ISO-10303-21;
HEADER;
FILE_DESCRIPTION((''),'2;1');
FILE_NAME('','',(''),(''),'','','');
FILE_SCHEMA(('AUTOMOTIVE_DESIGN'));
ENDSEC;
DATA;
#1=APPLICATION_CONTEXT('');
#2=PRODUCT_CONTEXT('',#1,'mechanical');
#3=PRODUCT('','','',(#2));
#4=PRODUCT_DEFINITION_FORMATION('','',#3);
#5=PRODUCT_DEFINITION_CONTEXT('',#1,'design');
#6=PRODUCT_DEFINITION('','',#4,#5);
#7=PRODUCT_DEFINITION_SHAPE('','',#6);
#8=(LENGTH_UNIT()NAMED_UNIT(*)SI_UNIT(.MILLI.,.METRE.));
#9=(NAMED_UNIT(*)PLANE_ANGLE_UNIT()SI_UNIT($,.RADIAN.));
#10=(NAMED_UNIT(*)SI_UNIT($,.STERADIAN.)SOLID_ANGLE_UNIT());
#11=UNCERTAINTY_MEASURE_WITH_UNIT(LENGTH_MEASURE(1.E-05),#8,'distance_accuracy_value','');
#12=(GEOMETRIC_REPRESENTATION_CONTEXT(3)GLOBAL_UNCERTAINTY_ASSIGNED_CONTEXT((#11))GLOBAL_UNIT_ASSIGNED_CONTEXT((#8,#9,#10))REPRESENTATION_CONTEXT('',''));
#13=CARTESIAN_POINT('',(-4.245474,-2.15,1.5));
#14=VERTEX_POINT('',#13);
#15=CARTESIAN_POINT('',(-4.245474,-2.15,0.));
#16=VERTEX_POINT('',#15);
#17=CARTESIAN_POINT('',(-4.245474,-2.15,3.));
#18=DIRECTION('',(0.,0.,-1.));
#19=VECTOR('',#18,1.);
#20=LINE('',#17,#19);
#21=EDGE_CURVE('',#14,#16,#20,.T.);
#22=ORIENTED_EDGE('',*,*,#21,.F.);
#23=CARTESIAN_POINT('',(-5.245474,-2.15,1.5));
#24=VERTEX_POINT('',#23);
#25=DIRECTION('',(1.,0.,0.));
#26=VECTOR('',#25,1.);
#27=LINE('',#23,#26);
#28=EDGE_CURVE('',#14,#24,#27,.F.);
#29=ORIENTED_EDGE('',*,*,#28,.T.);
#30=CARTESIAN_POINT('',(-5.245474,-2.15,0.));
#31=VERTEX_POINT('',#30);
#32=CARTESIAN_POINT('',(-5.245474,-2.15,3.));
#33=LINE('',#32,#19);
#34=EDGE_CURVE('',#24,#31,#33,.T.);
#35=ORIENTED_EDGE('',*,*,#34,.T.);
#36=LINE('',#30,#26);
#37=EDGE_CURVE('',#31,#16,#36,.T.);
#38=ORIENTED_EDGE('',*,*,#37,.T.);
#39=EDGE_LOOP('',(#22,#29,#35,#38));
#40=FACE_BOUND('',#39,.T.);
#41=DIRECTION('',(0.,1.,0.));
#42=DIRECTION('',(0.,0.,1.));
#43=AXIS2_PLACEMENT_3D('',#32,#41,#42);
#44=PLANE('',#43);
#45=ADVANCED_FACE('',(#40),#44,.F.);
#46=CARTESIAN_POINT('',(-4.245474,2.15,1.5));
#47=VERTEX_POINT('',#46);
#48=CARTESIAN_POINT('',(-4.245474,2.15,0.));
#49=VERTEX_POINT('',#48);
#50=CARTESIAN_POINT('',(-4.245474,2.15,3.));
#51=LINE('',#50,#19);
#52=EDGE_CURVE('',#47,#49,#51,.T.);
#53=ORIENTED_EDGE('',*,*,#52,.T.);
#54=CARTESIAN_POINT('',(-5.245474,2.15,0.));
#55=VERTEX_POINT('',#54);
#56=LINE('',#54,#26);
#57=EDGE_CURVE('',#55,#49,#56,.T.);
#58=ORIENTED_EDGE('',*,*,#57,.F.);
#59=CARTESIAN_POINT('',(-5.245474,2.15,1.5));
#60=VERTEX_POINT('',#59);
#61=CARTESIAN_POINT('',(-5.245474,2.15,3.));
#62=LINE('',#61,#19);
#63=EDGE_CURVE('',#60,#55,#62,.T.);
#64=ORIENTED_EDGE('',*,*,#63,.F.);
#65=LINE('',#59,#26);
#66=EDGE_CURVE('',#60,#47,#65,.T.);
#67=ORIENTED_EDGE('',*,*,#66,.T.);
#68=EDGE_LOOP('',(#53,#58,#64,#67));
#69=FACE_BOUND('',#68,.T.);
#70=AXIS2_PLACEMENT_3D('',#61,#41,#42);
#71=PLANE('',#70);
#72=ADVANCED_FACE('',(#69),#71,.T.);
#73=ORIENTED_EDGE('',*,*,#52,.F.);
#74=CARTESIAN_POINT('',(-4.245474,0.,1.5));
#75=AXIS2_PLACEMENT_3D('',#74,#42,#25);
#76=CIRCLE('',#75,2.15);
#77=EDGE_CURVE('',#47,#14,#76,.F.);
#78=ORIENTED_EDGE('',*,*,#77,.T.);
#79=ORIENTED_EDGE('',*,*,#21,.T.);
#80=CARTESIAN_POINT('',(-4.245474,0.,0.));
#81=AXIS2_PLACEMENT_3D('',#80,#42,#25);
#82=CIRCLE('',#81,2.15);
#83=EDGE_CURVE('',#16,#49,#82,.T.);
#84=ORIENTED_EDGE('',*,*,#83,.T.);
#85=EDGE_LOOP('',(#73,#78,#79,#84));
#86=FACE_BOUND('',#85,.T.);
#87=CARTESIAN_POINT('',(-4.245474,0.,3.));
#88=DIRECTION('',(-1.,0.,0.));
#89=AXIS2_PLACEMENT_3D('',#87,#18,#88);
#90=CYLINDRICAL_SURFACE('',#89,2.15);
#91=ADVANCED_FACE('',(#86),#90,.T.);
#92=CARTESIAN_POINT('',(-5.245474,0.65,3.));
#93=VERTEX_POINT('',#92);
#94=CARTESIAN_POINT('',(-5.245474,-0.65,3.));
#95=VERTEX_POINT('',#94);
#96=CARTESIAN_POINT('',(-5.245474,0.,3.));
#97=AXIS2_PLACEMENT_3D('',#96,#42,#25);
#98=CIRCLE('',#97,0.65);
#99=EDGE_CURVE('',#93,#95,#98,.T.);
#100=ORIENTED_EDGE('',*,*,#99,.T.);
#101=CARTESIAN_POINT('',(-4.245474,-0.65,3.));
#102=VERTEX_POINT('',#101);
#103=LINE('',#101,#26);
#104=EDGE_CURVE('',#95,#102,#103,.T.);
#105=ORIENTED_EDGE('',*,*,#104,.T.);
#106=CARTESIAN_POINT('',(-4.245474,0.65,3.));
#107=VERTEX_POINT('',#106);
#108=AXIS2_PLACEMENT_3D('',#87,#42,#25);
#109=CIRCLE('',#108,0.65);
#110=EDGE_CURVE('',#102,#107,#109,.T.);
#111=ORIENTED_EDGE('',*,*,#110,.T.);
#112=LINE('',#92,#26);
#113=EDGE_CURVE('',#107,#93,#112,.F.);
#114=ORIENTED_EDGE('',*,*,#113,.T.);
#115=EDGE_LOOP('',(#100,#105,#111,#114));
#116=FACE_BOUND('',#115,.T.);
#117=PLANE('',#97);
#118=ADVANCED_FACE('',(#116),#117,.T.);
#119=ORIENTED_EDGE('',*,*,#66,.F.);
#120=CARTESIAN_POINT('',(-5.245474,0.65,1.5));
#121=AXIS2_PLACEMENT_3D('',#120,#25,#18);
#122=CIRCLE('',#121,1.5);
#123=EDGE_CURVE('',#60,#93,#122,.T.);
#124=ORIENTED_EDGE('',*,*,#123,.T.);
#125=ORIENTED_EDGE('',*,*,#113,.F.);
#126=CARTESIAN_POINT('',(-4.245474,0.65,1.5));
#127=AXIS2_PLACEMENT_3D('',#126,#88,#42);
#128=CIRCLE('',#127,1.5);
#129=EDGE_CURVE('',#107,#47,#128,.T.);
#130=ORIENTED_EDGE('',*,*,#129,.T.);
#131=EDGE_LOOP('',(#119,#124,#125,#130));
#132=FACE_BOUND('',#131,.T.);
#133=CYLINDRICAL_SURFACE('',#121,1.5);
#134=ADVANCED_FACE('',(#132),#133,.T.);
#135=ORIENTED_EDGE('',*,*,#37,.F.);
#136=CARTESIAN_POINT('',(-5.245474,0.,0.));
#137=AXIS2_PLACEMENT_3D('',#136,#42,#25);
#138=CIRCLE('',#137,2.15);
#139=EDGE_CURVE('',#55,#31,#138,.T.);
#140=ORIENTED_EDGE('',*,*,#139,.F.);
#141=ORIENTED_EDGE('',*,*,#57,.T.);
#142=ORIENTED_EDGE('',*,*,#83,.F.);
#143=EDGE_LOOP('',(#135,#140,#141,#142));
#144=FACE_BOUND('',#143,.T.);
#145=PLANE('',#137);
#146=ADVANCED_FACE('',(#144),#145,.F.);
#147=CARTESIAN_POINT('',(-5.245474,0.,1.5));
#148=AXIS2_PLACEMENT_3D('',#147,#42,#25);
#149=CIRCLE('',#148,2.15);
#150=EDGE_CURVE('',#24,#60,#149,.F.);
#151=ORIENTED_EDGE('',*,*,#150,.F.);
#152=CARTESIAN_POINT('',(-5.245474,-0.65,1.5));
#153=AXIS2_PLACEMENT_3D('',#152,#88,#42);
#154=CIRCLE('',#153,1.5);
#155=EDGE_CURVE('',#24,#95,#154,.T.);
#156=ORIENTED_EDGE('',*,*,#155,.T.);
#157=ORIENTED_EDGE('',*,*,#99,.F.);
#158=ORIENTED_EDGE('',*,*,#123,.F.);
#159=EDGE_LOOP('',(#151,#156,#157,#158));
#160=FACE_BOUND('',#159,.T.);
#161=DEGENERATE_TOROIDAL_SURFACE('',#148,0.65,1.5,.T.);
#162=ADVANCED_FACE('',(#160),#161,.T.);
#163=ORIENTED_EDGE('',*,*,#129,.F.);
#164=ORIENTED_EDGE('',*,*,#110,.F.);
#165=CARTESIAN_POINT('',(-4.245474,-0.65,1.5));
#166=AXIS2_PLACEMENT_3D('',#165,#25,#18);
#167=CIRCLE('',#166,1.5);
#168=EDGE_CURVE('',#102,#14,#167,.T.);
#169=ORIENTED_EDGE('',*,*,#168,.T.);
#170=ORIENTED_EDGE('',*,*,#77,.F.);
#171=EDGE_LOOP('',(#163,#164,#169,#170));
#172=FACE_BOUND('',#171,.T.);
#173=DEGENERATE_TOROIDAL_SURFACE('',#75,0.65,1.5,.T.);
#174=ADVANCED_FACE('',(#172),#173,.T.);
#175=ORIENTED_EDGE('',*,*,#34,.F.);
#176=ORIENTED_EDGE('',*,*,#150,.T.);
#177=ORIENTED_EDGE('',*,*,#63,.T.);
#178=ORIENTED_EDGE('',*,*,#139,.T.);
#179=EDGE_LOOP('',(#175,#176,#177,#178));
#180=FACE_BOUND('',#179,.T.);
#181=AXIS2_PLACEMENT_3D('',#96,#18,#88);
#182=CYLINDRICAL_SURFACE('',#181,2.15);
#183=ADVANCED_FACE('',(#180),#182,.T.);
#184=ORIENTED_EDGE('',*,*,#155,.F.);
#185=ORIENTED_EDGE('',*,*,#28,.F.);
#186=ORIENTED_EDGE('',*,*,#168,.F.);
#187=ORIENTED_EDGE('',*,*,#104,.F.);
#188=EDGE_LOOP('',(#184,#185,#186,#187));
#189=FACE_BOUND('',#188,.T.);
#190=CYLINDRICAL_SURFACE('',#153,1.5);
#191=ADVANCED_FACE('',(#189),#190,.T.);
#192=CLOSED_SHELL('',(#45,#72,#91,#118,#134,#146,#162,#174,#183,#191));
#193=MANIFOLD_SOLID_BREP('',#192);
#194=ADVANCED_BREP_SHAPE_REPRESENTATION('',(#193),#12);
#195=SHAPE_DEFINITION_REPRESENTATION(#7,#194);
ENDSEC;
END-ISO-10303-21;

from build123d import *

# Parameters (mm, degrees)
DODANIE_WYCI_GNI_CIE2_DEPTH = 3
ZAOKR_GLENIE3_R             = 1.5


with BuildPart() as part:
    # Szkic2 → Dodanie-wyciągnięcie2 (new body)
    with BuildSketch(Plane.XY):
        with BuildLine():
            Line((-5.24547374, 2.15), (-4.24547374, 2.15))
            ThreePointArc((-4.24547374, 2.15), (-2.09547374, 0), (-4.24547374, -2.15))
            Line((-4.24547374, -2.15), (-5.24547374, -2.15))
            ThreePointArc((-5.24547374, -2.15), (-7.39547374, 0), (-5.24547374, 2.15))
        make_face()
    extrude(amount=DODANIE_WYCI_GNI_CIE2_DEPTH)

    # Zaokrąglenie3
    zaokr_glenie3_edges = [part.edges().sort_by_distance(p)[0] for p in [
        (-2.09547374, 0, 3),
        (-4.74547374, 2.15, 3),
        (-7.39547374, 0, 3),
        (-4.74547374, -2.15, 3),
    ]]
    fillet(zaokr_glenie3_edges, radius=ZAOKR_GLENIE3_R)


solid = part.part
